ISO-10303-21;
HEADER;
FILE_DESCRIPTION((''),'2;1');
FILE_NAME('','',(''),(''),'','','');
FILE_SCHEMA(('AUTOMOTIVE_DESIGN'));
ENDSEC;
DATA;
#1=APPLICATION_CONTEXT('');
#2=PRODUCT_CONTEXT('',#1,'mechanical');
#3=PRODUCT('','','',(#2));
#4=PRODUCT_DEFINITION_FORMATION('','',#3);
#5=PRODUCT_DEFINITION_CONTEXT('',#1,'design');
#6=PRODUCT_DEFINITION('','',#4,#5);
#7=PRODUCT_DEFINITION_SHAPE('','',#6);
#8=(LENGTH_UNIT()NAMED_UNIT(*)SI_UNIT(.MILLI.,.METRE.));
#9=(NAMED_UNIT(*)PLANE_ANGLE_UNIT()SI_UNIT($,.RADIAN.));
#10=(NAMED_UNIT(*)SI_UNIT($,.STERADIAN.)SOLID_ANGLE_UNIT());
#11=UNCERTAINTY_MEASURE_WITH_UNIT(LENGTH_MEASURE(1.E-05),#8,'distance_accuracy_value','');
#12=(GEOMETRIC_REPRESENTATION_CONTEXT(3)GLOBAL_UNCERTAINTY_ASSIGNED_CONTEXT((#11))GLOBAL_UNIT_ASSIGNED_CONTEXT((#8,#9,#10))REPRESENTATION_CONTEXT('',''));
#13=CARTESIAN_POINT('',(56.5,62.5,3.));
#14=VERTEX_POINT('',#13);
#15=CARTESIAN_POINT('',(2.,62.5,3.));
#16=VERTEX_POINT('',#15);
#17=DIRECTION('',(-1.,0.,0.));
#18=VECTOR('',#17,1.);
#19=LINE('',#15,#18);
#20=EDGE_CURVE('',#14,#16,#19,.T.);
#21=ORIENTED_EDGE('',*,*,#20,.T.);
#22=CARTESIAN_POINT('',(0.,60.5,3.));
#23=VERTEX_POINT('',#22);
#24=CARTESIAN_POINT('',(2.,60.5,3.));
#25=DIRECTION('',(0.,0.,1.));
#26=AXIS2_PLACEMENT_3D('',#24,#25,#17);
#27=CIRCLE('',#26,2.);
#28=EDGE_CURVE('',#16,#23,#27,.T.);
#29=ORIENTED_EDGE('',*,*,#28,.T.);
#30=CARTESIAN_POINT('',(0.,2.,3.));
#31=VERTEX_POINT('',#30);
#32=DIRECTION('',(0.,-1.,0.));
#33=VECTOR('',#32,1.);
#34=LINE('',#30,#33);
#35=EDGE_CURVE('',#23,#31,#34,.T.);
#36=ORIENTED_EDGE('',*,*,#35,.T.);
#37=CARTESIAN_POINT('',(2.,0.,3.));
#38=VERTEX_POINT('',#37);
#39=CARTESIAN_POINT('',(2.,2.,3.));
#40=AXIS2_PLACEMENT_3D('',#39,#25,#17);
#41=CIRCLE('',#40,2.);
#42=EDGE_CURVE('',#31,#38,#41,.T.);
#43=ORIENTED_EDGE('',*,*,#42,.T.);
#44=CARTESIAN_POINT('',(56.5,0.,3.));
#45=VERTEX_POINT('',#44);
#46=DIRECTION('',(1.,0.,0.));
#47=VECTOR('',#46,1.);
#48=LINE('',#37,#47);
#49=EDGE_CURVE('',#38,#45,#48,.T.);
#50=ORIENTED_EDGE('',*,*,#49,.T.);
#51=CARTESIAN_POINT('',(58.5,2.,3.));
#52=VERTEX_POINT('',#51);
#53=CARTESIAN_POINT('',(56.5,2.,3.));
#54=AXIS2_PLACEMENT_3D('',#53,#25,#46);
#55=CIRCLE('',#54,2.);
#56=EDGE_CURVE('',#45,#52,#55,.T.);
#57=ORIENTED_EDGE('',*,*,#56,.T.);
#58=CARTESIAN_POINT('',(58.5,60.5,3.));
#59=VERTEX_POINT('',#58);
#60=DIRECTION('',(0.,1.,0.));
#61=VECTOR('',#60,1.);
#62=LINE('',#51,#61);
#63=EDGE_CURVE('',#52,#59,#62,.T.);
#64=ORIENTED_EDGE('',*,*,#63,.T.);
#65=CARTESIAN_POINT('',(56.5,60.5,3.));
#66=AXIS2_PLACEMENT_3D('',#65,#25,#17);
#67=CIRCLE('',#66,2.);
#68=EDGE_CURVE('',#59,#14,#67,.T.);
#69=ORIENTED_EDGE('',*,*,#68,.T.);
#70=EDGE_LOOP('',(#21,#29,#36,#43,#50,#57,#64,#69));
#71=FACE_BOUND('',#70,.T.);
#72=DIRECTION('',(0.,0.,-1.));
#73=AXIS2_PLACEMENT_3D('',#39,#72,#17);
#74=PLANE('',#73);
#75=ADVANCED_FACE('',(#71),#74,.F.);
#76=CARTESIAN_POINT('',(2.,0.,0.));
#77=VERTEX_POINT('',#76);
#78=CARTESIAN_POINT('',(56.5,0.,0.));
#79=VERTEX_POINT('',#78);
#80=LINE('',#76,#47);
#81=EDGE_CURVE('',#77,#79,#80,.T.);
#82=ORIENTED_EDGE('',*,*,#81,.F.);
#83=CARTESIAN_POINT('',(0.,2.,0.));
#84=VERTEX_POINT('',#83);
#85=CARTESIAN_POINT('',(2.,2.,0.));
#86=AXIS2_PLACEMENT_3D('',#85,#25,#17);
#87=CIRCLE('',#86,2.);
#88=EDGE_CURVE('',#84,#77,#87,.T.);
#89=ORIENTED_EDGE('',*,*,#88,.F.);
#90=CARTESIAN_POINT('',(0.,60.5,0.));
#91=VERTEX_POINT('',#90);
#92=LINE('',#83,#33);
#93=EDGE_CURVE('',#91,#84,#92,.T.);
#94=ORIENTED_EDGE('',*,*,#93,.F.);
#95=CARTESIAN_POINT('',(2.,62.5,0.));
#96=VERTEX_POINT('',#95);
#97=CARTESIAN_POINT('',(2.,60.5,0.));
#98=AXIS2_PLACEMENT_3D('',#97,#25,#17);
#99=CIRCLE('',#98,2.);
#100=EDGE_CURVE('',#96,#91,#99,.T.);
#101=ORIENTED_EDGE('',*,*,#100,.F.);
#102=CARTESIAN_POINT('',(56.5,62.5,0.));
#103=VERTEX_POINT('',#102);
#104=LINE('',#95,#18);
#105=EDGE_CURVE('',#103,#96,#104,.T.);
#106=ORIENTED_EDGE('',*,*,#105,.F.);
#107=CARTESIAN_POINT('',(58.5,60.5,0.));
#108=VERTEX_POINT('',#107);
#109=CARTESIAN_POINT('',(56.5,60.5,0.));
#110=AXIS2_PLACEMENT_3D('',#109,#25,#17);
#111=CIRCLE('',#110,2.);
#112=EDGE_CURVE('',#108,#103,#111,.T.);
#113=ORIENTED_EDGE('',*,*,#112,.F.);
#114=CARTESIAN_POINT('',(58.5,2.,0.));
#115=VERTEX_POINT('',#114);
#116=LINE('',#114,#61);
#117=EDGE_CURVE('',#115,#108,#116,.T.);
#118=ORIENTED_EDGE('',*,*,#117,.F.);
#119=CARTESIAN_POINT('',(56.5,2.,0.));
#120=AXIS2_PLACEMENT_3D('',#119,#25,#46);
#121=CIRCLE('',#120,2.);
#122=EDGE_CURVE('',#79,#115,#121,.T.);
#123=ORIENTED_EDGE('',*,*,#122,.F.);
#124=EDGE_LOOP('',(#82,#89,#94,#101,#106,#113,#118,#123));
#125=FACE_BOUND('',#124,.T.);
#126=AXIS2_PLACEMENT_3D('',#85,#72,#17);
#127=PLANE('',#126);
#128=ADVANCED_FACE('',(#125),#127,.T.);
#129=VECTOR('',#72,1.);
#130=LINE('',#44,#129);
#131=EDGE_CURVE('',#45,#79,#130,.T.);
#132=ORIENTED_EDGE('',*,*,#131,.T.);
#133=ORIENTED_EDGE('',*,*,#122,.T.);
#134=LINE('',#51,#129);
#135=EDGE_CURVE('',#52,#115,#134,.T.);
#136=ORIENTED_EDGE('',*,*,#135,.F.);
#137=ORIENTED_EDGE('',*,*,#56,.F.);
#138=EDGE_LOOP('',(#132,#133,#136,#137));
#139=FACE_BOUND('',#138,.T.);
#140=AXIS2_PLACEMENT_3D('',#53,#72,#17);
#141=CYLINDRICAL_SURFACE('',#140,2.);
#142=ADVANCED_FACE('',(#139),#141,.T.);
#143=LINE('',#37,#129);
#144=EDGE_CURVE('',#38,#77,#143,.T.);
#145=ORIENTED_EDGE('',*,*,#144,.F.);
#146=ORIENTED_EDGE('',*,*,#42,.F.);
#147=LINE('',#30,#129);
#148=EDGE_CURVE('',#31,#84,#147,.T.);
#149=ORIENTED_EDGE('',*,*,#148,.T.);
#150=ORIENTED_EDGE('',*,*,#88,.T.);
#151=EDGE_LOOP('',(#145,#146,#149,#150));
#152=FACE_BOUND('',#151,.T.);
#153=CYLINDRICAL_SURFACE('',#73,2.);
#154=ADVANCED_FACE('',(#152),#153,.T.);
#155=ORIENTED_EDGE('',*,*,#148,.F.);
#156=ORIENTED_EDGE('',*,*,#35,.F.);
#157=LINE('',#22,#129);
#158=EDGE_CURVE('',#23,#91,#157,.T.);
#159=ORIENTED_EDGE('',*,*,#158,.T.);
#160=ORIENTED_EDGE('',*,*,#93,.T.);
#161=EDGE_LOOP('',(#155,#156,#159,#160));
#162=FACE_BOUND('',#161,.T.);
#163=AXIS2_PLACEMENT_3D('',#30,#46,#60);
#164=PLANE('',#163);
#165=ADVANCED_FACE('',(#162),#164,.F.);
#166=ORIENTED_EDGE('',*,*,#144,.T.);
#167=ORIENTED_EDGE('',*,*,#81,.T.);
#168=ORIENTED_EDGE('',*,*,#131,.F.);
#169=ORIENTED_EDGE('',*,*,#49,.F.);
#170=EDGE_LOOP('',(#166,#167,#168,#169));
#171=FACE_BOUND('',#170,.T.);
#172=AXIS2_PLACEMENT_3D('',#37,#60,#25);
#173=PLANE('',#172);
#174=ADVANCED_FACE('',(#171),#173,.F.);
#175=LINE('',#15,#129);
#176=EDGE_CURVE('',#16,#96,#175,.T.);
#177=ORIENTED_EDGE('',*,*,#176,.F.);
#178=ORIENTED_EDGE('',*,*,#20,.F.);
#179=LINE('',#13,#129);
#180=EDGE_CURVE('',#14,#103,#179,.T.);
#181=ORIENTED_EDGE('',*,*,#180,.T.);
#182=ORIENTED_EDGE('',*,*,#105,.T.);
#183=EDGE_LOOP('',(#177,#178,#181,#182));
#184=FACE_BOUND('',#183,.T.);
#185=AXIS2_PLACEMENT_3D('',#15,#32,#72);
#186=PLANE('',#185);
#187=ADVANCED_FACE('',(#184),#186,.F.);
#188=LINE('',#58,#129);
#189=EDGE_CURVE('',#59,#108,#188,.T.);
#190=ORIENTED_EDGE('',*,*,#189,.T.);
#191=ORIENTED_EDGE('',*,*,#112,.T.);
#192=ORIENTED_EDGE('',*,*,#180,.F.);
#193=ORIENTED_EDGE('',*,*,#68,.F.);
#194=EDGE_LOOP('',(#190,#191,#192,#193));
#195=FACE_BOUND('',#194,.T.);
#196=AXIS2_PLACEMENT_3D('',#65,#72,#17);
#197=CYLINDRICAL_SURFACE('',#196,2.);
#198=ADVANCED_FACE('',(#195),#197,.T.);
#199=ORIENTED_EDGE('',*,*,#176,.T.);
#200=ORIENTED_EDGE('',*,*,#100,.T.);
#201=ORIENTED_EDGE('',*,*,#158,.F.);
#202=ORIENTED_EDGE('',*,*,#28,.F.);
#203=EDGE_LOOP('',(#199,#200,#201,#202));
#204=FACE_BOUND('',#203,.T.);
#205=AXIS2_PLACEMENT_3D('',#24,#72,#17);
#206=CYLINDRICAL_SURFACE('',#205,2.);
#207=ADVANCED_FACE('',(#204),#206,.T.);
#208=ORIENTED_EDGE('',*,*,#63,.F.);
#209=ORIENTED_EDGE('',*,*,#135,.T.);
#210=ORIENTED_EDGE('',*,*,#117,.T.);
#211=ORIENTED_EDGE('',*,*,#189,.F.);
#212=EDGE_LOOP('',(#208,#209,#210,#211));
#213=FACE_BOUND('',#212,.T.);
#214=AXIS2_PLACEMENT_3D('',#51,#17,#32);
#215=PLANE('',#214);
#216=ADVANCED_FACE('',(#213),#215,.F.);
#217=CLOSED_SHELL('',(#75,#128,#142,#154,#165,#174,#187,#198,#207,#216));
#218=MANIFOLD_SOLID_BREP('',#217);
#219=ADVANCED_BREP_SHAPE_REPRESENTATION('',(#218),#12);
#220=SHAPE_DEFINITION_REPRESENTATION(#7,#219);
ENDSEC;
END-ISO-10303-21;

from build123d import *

# Parameters (mm, degrees)
BOSS_EXTRU_1_DEPTH = 3


with BuildPart() as part:
    # Esquisse1 → Boss.-Extru.1 (new body)
    with BuildSketch(Plane.XY):
        with BuildLine():
            Line((2, 0), (56.5, 0))
            ThreePointArc((56.5, 0), (57.914213562, 0.585786438), (58.5, 2))
            Line((58.5, 2), (58.5, 60.5))
            ThreePointArc((58.5, 60.5), (57.914213562, 61.914213562), (56.5, 62.5))
            Line((56.5, 62.5), (2, 62.5))
            ThreePointArc((2, 62.5), (0.585786438, 61.914213562), (0, 60.5))
            Line((0, 60.5), (0, 2))
            ThreePointArc((0, 2), (0.585786438, 0.585786438), (2, 0))
        make_face()
    extrude(amount=BOSS_EXTRU_1_DEPTH)


solid = part.part
